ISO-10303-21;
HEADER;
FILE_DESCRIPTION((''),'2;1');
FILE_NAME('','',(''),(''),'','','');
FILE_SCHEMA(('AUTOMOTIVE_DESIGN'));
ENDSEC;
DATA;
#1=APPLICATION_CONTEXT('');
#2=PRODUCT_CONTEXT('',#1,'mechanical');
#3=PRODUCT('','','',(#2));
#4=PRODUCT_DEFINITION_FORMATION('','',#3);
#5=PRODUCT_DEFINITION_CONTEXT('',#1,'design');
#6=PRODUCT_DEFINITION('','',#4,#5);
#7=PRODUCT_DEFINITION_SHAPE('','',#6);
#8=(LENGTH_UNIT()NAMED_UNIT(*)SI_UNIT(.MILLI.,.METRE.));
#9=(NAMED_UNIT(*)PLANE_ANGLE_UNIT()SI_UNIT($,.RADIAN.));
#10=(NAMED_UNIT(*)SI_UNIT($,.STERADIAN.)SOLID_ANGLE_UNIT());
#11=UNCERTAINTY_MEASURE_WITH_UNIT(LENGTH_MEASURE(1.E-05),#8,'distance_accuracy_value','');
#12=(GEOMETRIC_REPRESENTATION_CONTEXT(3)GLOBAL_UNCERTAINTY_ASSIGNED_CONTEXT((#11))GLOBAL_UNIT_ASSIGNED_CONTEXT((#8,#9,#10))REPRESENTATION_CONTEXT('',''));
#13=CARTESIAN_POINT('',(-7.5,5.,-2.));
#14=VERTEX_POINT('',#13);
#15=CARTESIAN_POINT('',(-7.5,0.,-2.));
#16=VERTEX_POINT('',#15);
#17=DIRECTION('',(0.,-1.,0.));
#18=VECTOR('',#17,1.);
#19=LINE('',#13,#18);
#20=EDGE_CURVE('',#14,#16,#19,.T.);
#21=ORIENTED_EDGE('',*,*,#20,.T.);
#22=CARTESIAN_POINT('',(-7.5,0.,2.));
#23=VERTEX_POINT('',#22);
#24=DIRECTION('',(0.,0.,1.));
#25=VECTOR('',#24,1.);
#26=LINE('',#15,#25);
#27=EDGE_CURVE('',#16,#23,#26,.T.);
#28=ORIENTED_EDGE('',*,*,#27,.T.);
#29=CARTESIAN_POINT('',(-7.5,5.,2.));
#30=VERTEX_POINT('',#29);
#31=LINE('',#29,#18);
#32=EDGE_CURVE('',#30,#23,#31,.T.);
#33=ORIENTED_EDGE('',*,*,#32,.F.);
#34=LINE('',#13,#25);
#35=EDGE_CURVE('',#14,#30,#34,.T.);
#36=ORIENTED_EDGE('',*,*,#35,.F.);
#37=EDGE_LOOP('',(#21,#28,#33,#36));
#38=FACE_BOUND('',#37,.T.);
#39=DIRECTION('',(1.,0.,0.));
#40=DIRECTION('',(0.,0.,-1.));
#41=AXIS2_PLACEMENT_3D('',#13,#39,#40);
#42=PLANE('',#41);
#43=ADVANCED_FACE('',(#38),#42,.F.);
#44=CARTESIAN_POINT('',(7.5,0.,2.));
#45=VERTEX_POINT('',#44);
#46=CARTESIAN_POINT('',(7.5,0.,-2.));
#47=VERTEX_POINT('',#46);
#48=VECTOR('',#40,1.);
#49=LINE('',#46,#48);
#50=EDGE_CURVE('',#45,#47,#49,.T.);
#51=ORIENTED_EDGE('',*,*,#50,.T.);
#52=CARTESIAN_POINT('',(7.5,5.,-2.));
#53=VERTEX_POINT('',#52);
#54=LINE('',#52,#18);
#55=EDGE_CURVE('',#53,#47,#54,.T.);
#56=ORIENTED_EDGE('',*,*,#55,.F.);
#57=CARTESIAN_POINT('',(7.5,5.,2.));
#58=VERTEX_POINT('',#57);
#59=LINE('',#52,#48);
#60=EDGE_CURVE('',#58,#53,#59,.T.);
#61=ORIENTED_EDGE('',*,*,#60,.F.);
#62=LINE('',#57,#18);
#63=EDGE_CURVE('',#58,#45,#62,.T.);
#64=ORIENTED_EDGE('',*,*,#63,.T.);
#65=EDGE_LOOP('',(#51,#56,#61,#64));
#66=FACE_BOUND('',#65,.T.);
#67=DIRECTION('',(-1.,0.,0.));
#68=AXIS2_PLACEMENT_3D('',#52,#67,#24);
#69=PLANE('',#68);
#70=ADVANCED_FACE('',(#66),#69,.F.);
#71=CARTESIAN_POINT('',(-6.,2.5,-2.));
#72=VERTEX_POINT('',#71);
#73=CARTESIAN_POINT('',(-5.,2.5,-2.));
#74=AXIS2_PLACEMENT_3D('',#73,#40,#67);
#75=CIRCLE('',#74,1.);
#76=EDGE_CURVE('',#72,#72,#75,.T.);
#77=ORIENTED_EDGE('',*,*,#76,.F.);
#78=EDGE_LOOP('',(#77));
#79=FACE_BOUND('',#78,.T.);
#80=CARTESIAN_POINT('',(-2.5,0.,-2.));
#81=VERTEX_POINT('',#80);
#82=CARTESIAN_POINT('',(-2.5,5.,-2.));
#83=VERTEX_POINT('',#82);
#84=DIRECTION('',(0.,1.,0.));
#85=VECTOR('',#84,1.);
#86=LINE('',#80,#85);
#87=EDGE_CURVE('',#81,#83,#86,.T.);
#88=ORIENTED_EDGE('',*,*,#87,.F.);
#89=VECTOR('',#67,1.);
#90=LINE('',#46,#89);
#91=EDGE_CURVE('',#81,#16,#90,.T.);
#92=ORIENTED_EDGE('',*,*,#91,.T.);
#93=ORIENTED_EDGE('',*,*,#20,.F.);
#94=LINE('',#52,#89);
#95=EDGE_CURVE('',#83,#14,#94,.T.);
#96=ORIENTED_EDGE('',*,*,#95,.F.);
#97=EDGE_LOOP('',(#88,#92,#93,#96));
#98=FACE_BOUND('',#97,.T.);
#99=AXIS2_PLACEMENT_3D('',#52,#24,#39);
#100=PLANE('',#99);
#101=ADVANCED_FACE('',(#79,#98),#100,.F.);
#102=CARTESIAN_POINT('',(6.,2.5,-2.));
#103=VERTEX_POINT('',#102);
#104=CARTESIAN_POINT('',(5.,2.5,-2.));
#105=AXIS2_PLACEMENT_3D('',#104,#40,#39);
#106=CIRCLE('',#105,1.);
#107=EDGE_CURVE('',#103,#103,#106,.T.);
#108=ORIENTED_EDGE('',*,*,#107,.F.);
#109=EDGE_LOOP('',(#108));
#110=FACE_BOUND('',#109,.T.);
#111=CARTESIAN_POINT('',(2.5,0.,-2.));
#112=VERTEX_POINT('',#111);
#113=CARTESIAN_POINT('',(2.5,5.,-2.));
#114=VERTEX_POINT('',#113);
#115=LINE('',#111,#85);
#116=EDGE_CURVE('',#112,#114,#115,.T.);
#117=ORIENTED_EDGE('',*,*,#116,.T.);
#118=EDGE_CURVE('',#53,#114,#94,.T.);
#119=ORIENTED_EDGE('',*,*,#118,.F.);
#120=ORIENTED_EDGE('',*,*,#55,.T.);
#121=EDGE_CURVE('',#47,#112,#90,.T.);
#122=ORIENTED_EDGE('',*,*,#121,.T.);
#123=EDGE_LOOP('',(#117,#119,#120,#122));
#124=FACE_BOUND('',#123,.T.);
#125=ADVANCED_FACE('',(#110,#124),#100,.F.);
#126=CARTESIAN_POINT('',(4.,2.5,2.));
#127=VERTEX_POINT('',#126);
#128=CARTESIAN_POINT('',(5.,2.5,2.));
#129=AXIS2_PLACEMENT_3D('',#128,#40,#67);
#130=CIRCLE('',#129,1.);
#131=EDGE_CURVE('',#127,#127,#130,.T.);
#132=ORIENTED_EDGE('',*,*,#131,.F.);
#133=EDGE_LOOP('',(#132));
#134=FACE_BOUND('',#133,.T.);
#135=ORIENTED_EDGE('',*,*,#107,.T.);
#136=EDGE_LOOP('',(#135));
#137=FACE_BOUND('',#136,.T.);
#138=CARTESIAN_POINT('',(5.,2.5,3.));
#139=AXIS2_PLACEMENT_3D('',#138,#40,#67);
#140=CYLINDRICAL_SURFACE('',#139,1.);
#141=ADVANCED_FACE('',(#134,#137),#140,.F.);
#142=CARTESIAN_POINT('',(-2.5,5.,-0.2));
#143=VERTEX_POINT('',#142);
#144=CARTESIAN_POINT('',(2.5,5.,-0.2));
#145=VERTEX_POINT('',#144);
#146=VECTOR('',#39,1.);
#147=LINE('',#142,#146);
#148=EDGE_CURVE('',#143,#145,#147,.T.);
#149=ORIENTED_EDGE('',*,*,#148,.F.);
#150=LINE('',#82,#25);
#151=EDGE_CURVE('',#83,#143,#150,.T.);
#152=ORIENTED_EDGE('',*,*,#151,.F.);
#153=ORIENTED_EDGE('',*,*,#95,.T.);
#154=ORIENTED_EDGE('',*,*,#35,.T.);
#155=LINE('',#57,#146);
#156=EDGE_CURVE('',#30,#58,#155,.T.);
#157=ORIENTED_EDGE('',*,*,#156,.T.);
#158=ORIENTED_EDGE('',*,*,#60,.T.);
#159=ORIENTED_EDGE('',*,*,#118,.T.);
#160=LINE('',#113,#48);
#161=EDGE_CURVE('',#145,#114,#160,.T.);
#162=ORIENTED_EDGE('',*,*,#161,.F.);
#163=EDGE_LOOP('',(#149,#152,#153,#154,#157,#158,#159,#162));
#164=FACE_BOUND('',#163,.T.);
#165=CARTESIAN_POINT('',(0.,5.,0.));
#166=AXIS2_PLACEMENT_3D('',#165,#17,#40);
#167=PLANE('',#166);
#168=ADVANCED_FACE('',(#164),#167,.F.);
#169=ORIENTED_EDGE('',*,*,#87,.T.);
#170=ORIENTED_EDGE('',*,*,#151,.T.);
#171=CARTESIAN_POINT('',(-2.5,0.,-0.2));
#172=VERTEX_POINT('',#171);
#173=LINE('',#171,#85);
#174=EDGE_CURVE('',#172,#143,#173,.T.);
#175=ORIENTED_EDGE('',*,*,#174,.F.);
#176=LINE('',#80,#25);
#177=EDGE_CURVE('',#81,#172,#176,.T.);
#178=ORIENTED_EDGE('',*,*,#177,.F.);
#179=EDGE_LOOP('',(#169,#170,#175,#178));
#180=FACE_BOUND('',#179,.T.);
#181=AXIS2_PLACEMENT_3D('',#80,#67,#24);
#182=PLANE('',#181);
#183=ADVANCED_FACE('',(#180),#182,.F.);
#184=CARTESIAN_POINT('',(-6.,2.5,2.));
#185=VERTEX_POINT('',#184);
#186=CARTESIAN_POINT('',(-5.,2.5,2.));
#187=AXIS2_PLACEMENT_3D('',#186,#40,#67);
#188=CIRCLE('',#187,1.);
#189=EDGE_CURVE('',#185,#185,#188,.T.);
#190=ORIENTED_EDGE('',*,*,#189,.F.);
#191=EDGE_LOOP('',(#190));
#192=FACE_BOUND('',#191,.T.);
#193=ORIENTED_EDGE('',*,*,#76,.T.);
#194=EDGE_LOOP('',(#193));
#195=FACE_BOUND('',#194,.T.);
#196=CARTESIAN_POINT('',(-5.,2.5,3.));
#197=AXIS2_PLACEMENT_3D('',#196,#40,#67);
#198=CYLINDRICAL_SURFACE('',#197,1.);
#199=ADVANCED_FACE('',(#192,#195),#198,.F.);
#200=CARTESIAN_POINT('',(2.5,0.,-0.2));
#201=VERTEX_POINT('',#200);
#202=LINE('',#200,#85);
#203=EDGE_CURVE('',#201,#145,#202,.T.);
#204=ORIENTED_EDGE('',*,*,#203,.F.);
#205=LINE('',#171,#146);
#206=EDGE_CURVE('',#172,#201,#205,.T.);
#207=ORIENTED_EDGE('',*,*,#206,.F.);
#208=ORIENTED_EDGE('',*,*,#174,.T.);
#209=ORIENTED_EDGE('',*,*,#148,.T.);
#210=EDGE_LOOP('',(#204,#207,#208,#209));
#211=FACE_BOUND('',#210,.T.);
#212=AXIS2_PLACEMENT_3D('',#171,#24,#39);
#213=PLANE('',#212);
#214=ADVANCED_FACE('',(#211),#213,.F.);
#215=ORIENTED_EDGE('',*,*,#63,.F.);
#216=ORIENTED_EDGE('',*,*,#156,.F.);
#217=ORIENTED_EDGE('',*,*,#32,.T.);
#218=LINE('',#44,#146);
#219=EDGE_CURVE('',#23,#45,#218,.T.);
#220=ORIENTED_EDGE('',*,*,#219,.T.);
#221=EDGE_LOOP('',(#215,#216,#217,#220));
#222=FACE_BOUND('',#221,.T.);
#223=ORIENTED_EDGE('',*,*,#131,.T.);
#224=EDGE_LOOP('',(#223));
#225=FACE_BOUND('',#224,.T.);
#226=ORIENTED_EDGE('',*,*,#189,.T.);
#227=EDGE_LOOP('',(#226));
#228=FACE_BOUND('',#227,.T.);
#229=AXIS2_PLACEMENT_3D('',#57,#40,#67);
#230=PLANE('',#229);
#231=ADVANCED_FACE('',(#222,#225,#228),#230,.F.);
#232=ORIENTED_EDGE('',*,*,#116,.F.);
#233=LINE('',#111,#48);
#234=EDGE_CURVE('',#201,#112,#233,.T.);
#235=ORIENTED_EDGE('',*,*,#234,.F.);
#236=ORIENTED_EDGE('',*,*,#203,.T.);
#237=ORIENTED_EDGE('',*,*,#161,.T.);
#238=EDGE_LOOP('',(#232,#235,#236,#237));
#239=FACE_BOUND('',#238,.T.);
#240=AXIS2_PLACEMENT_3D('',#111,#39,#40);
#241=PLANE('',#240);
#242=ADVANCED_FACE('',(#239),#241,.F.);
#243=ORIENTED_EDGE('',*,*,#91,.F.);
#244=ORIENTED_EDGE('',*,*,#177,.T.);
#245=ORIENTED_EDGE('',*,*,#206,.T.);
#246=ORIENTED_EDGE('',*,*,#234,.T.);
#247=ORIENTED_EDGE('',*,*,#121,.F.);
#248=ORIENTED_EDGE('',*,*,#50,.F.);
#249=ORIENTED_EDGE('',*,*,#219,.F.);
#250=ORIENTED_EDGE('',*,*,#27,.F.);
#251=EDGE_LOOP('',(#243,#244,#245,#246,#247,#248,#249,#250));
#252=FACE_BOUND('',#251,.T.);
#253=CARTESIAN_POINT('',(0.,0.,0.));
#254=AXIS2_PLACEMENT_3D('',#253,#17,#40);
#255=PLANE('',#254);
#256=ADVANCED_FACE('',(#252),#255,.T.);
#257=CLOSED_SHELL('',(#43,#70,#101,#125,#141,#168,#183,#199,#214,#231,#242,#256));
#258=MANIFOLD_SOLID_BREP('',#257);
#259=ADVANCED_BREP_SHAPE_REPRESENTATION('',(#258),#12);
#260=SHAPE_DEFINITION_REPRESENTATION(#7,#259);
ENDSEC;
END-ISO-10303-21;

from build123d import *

# Parameters (mm, degrees)
ESQUISSE1_W             = 15
ESQUISSE1_H             = 4
BOSS_EXTRU_1_DEPTH      = 5
ESQUISSE2_W             = 5
ESQUISSE2_H             = 1.8
ENL_V_MAT_EXTRU_1_DEPTH = 5
ESQUISSE3_R             = 1
ENL_V_MAT_EXTRU_2_DEPTH = 5


with BuildPart() as part:
    # Esquisse1 → Boss.-Extru.1 (new body)
    with BuildSketch(Plane(origin=(0, 0, 0), x_dir=(1, 0, 0), z_dir=(0, 1, 0))):
        Rectangle(ESQUISSE1_W, ESQUISSE1_H)
    extrude(amount=BOSS_EXTRU_1_DEPTH)

    # Esquisse2 → Enlèv. mat.-Extru.1 (cut)
    with BuildSketch(Plane(origin=(0, 5, 0), x_dir=(1, 0, 0), z_dir=(0, 1, 0))):
        with Locations((0, 1.1)):
            Rectangle(ESQUISSE2_W, ESQUISSE2_H)
    extrude(amount=-ENL_V_MAT_EXTRU_1_DEPTH, mode=Mode.SUBTRACT)

    # Esquisse3 → Enlèv. mat.-Extru.2 (cut)
    with BuildSketch(Plane(origin=(0, 0, -2), x_dir=(-1, 0, 0), z_dir=(0, 0, -1))):
        with Locations((5, 2.5)):
            Circle(ESQUISSE3_R)
        with Locations((-5, 2.5)):
            Circle(ESQUISSE3_R)
    extrude(amount=-ENL_V_MAT_EXTRU_2_DEPTH, mode=Mode.SUBTRACT)


solid = part.part
